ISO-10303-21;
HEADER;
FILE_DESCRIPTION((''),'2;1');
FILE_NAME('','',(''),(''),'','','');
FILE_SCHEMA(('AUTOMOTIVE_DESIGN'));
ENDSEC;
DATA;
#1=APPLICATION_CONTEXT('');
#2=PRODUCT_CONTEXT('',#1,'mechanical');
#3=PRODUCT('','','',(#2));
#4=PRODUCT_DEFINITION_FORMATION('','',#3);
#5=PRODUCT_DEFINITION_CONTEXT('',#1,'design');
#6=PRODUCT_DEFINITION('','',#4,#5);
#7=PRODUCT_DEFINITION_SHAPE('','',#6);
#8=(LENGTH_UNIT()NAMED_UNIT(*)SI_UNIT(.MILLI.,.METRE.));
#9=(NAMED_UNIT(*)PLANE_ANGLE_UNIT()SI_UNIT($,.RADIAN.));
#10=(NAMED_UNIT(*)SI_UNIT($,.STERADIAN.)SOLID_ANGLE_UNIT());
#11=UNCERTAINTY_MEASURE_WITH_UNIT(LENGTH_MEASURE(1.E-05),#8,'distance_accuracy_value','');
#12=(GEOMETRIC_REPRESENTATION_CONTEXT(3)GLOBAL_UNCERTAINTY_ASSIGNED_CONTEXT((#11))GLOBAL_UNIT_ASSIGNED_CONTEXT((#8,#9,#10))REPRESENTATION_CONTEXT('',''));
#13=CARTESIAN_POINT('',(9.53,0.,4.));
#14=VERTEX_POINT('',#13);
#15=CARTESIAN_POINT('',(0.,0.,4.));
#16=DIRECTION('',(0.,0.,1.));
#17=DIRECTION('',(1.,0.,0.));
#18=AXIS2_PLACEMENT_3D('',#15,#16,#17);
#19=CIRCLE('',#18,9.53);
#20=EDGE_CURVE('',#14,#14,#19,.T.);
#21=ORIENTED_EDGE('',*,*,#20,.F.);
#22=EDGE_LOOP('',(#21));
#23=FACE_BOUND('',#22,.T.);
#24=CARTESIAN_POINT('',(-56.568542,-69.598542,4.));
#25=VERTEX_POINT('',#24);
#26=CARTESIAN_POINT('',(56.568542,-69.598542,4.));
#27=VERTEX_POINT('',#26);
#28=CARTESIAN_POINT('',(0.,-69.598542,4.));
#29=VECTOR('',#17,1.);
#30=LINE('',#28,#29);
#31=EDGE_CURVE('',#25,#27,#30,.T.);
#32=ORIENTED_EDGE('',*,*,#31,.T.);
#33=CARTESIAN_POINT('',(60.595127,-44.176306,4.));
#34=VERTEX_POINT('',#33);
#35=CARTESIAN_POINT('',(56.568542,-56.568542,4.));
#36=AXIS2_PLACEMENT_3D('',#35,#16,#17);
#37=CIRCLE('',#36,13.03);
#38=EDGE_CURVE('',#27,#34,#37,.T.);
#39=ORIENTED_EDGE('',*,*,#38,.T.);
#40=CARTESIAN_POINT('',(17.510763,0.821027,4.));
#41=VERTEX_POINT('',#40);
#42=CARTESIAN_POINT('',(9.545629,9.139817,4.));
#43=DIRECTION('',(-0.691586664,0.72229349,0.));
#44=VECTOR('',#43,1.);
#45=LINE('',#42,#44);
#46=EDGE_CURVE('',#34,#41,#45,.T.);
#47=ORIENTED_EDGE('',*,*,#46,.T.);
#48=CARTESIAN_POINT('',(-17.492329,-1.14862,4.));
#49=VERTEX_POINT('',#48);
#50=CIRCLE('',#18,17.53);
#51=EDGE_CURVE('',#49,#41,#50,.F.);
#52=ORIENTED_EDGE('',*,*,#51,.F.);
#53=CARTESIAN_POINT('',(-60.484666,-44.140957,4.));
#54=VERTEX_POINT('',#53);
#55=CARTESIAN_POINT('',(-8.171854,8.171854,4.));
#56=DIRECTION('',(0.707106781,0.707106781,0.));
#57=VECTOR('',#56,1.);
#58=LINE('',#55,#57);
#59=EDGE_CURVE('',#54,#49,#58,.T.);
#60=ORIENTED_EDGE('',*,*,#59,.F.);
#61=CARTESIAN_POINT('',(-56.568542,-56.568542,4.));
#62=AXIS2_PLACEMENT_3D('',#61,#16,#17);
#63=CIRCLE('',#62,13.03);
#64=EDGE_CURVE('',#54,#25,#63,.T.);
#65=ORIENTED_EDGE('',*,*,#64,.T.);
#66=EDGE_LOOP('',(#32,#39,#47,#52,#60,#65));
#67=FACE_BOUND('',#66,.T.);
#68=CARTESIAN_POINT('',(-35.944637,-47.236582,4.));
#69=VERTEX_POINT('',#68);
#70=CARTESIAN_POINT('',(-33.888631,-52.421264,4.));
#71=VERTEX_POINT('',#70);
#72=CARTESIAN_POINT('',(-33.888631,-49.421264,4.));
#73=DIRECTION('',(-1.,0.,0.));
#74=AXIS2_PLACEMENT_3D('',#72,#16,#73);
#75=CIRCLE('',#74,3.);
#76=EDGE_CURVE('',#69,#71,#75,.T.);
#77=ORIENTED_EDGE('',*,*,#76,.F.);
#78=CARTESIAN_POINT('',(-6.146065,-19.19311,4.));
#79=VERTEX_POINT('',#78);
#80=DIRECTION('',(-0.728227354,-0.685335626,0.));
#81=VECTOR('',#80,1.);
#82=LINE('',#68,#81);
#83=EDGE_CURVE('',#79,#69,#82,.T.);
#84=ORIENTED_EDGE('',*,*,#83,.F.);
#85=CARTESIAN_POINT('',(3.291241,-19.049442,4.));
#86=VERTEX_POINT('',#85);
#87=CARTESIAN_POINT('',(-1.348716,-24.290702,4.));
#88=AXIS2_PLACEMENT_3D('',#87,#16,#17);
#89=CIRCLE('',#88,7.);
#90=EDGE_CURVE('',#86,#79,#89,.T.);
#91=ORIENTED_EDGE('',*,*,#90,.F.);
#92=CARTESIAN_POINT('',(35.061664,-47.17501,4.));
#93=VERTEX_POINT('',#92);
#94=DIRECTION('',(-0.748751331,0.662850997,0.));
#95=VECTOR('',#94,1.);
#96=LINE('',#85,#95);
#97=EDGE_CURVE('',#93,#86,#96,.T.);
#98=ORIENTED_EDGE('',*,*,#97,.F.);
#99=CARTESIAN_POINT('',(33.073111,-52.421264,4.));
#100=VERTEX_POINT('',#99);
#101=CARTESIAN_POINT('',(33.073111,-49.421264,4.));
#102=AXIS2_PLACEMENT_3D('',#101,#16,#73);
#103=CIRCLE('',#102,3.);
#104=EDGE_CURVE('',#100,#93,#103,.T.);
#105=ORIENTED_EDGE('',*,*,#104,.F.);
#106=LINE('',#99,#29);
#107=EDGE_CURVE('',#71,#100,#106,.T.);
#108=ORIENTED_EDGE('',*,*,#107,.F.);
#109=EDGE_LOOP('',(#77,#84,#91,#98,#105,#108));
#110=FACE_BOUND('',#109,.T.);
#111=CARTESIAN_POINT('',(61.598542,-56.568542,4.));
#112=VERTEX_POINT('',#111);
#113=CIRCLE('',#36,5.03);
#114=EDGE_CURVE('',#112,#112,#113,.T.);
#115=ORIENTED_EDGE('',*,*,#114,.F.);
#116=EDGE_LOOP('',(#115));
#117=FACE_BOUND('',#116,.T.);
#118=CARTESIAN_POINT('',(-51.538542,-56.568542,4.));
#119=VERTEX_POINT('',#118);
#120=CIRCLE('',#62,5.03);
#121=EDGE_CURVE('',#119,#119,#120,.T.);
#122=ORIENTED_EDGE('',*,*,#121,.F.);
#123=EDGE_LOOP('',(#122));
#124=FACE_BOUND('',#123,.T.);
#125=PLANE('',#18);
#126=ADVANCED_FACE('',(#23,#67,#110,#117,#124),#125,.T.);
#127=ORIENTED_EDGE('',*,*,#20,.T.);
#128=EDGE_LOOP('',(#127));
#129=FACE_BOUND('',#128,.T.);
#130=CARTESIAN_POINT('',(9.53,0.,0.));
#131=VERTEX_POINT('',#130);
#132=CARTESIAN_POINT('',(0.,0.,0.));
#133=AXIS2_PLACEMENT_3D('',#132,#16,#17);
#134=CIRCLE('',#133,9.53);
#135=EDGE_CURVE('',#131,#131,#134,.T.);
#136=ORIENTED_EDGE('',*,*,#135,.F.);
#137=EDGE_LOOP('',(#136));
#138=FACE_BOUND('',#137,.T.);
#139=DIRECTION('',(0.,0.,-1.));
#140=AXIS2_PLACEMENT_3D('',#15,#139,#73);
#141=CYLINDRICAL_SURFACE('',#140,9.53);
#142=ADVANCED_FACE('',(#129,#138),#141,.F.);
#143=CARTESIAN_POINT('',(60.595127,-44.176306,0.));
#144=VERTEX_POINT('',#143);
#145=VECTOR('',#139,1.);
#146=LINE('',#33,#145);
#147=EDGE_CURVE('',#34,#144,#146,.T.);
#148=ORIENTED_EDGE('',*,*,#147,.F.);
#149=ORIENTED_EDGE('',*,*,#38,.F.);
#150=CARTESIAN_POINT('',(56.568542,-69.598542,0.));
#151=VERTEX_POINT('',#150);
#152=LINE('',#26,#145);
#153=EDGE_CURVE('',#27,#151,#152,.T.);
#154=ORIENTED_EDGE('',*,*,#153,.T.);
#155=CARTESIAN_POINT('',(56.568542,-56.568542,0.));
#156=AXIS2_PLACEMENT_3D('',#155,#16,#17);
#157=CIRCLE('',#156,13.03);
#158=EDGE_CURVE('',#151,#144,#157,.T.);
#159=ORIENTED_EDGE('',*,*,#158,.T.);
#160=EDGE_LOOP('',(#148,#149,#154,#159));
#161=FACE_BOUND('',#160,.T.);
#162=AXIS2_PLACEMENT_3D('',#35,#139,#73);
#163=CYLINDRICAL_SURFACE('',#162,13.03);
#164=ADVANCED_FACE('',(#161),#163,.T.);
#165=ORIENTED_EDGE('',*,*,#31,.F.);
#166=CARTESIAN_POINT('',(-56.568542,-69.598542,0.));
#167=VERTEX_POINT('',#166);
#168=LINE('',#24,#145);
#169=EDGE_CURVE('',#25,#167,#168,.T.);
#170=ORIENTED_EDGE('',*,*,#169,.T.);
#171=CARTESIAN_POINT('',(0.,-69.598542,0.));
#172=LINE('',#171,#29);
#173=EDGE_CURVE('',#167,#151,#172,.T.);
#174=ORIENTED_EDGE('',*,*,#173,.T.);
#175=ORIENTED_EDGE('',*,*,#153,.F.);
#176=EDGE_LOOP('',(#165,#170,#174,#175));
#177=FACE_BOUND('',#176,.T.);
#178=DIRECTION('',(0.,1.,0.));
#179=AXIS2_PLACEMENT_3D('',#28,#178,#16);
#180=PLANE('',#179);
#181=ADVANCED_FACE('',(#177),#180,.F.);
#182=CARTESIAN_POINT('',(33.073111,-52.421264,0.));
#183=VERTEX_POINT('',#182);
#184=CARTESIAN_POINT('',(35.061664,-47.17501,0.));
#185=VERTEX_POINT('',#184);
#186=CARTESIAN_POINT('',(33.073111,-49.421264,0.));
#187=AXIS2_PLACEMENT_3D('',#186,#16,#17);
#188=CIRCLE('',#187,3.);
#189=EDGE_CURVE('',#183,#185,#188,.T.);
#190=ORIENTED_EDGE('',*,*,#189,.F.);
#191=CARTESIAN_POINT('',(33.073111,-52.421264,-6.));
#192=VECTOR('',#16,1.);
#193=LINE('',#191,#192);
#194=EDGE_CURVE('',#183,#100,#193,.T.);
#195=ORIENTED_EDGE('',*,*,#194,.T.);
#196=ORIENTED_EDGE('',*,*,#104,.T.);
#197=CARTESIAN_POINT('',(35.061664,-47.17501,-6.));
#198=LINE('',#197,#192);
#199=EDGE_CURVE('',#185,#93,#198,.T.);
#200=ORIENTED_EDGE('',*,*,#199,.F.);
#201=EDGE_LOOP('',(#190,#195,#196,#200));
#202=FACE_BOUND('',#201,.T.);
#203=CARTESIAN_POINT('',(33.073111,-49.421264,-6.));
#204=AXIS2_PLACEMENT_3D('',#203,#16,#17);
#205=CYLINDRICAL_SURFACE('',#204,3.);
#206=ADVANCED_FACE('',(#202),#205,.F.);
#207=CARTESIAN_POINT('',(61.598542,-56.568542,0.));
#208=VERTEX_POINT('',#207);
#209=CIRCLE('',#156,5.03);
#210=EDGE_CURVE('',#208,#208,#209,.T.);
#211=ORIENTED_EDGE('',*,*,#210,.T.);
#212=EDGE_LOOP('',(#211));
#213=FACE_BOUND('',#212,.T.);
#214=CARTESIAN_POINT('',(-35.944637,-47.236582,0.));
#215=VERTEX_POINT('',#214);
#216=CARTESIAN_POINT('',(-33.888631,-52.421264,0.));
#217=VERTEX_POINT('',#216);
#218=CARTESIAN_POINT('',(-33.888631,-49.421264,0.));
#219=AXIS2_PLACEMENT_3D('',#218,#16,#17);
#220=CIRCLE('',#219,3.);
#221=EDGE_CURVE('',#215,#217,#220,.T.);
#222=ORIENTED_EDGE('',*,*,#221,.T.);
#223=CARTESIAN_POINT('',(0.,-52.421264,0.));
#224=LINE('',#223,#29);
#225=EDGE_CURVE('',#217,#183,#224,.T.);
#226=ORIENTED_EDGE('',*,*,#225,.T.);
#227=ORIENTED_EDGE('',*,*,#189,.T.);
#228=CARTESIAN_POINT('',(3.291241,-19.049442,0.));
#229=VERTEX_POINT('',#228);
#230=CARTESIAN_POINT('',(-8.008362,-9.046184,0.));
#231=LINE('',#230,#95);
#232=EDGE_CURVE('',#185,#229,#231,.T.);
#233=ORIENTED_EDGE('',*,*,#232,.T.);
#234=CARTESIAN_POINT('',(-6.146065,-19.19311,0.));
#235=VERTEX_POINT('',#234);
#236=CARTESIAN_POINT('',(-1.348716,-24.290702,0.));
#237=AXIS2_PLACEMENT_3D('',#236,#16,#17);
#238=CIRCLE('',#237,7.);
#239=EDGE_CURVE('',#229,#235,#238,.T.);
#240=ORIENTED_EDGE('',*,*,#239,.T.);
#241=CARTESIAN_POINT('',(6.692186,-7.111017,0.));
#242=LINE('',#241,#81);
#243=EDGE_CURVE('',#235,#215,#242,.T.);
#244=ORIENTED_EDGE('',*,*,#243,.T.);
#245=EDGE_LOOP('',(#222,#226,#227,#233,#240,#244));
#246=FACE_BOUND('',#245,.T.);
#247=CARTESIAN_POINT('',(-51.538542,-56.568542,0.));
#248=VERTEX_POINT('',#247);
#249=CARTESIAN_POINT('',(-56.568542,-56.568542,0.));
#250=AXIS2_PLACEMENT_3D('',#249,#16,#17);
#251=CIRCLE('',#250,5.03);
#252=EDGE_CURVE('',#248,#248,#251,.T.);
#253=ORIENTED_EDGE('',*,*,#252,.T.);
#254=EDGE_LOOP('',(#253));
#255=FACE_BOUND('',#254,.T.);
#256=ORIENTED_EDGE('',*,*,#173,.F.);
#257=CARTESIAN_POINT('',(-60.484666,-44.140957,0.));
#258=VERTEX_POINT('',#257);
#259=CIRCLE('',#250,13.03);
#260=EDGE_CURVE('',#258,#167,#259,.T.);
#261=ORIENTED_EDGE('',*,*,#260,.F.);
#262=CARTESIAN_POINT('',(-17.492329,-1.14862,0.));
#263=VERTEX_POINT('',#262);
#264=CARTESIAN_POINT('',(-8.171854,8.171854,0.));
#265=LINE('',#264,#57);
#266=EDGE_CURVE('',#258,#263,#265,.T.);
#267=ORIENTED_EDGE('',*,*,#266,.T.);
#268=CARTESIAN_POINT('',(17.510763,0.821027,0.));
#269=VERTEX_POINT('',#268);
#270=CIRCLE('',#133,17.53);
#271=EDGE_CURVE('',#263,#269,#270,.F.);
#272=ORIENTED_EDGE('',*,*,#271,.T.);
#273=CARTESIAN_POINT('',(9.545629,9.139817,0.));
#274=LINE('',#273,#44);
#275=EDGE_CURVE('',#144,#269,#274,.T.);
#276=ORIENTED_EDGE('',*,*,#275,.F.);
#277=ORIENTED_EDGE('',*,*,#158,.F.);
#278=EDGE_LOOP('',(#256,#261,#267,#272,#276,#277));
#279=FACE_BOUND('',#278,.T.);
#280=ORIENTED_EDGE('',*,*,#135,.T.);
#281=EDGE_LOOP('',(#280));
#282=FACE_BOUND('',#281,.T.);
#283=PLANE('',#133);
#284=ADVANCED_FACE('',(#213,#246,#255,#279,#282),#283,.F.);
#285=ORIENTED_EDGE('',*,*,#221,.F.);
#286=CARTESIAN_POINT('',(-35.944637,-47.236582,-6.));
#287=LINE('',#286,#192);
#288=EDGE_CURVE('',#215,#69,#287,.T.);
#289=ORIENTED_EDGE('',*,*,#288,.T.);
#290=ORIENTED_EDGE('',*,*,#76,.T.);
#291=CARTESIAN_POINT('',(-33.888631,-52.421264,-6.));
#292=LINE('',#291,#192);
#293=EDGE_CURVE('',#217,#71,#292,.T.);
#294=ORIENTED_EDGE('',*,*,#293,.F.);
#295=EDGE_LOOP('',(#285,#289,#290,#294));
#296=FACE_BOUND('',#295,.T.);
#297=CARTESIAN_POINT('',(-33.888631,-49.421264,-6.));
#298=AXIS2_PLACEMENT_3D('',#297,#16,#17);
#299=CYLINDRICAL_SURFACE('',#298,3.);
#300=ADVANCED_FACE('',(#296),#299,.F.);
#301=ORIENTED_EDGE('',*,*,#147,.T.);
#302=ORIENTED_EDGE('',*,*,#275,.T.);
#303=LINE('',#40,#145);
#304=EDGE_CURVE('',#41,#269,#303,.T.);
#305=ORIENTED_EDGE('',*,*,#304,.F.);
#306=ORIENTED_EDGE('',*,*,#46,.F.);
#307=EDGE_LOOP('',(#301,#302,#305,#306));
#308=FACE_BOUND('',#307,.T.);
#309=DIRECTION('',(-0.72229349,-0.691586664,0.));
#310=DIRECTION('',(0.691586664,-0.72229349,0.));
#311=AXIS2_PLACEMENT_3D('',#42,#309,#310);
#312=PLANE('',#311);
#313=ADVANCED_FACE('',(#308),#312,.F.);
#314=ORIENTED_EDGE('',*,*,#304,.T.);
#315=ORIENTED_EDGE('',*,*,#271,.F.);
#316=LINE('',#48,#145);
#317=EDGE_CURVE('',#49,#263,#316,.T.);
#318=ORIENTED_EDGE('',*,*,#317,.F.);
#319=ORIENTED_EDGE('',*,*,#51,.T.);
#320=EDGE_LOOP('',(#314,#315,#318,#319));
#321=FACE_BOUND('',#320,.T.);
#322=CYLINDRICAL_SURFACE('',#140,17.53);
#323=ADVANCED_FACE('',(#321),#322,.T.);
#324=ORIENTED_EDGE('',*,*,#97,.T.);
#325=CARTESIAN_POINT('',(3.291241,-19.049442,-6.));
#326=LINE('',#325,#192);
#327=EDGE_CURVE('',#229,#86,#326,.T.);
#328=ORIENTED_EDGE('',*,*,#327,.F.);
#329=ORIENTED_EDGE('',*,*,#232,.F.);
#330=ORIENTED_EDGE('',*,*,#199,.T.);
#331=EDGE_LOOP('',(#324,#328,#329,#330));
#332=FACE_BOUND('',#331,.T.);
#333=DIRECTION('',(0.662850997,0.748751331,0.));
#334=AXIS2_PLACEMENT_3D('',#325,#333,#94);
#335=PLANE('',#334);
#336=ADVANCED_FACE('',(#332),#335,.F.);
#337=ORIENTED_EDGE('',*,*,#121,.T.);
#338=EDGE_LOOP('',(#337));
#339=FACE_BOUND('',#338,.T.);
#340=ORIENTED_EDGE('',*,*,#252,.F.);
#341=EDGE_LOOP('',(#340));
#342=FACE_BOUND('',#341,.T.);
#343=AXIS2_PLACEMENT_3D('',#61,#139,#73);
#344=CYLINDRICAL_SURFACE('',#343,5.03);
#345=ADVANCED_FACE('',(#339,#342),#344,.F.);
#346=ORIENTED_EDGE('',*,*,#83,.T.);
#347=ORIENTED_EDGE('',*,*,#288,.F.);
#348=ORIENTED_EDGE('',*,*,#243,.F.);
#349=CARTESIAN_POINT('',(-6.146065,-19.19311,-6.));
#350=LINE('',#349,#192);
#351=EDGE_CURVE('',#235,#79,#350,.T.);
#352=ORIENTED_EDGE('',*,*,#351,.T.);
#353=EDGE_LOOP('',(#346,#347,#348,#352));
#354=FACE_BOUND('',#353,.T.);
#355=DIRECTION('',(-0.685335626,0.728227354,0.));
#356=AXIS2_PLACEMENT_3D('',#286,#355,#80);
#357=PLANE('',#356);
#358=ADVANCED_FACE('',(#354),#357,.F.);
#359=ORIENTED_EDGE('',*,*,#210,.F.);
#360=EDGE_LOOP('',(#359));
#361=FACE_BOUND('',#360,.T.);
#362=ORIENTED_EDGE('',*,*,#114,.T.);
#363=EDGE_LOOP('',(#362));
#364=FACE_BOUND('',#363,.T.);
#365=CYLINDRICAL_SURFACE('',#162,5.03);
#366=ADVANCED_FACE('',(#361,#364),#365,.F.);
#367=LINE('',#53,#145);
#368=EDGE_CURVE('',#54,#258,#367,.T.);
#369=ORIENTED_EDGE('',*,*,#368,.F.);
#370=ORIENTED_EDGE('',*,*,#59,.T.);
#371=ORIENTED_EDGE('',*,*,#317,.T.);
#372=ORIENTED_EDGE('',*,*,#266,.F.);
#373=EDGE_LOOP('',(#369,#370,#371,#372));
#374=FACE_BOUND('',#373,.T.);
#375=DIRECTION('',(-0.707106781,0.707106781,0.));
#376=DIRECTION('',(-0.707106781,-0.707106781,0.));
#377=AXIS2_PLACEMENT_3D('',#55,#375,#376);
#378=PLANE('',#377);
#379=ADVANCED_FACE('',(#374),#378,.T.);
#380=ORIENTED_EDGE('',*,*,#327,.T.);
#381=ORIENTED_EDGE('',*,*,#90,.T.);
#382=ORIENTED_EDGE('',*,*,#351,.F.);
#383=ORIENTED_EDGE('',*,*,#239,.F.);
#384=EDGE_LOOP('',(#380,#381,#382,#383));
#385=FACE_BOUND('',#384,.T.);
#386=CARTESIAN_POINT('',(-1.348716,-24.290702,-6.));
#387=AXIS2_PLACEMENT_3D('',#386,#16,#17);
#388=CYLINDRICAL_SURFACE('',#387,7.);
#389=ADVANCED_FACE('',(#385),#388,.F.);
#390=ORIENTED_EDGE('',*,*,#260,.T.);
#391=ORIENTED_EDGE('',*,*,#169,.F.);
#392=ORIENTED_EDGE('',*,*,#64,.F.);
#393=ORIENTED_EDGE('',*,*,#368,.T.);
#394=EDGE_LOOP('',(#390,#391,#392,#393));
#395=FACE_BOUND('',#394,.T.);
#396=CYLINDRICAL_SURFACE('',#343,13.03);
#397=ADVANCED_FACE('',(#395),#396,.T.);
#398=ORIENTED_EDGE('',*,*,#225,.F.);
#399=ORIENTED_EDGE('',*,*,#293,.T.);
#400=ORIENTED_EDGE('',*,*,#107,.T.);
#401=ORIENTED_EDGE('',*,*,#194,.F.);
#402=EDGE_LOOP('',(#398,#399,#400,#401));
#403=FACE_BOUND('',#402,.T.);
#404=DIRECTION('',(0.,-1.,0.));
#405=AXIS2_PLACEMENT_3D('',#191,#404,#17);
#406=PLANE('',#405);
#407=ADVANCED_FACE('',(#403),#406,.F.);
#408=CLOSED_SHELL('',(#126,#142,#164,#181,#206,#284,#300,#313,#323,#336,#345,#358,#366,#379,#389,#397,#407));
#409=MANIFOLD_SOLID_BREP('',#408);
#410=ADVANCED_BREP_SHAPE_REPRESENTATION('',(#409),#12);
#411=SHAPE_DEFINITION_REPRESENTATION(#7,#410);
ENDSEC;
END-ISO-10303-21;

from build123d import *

# Parameters (mm, degrees)
SKETCH_1_R          = 9.53
SKETCH_1_R_2        = 5.03
EXTRUDE_1_DEPTH     = 4
CUT_EXTRUDE_1_DEPTH = 10


with BuildPart() as part:
    # 草图1 → 凸台-拉伸1 (new body)
    with BuildSketch(Plane.XY):
        with BuildLine():
            Line((-60.484665535, -44.140957036), (-17.492328922, -1.148620423))
            ThreePointArc((-17.492328922, -1.148620423), (-0.984866816, 17.502312343), (17.510762826, 0.821026949))
            Line((17.510762826, 0.821026949), (60.595126742, -44.176306244))
            ThreePointArc((60.595126742, -44.176306244), (69.43811394, -58.606931767), (56.568542495, -69.598542495))
            Line((56.568542495, -69.598542495), (-56.568542495, -69.598542495))
            ThreePointArc((-56.568542495, -69.598542495), (-69.447058297, -58.549635813), (-60.484665535, -44.140957036))
        make_face()
        Circle(SKETCH_1_R, mode=Mode.SUBTRACT)
        with Locations((-56.568542495, -56.568542495)):
            Circle(SKETCH_1_R_2, mode=Mode.SUBTRACT)
        with Locations((56.568542495, -56.568542495)):
            Circle(SKETCH_1_R_2, mode=Mode.SUBTRACT)
    extrude(amount=EXTRUDE_1_DEPTH)

    # 草图2 → 切除-拉伸1 (cut)
    with BuildSketch(Plane.XY.offset(4)):
        with BuildLine():
            Line((-35.944637397, -47.236581954), (-6.146065042, -19.193110209))
            ThreePointArc((-6.146065042, -19.193110209), (-1.455267075, -17.291512681), (3.291241318, -19.049442373))
            Line((3.291241318, -19.049442373), (35.061663803, -47.175010024))
            ThreePointArc((35.061663803, -47.175010024), (35.878352511, -50.484569716), (33.073110812, -52.421264017))
            Line((33.073110812, -52.421264017), (-33.888630519, -52.421264017))
            ThreePointArc((-33.888630519, -52.421264017), (-36.677361968, -50.527146879), (-35.944637397, -47.236581954))
        make_face()
    extrude(amount=-CUT_EXTRUDE_1_DEPTH, mode=Mode.SUBTRACT)


solid = part.part
